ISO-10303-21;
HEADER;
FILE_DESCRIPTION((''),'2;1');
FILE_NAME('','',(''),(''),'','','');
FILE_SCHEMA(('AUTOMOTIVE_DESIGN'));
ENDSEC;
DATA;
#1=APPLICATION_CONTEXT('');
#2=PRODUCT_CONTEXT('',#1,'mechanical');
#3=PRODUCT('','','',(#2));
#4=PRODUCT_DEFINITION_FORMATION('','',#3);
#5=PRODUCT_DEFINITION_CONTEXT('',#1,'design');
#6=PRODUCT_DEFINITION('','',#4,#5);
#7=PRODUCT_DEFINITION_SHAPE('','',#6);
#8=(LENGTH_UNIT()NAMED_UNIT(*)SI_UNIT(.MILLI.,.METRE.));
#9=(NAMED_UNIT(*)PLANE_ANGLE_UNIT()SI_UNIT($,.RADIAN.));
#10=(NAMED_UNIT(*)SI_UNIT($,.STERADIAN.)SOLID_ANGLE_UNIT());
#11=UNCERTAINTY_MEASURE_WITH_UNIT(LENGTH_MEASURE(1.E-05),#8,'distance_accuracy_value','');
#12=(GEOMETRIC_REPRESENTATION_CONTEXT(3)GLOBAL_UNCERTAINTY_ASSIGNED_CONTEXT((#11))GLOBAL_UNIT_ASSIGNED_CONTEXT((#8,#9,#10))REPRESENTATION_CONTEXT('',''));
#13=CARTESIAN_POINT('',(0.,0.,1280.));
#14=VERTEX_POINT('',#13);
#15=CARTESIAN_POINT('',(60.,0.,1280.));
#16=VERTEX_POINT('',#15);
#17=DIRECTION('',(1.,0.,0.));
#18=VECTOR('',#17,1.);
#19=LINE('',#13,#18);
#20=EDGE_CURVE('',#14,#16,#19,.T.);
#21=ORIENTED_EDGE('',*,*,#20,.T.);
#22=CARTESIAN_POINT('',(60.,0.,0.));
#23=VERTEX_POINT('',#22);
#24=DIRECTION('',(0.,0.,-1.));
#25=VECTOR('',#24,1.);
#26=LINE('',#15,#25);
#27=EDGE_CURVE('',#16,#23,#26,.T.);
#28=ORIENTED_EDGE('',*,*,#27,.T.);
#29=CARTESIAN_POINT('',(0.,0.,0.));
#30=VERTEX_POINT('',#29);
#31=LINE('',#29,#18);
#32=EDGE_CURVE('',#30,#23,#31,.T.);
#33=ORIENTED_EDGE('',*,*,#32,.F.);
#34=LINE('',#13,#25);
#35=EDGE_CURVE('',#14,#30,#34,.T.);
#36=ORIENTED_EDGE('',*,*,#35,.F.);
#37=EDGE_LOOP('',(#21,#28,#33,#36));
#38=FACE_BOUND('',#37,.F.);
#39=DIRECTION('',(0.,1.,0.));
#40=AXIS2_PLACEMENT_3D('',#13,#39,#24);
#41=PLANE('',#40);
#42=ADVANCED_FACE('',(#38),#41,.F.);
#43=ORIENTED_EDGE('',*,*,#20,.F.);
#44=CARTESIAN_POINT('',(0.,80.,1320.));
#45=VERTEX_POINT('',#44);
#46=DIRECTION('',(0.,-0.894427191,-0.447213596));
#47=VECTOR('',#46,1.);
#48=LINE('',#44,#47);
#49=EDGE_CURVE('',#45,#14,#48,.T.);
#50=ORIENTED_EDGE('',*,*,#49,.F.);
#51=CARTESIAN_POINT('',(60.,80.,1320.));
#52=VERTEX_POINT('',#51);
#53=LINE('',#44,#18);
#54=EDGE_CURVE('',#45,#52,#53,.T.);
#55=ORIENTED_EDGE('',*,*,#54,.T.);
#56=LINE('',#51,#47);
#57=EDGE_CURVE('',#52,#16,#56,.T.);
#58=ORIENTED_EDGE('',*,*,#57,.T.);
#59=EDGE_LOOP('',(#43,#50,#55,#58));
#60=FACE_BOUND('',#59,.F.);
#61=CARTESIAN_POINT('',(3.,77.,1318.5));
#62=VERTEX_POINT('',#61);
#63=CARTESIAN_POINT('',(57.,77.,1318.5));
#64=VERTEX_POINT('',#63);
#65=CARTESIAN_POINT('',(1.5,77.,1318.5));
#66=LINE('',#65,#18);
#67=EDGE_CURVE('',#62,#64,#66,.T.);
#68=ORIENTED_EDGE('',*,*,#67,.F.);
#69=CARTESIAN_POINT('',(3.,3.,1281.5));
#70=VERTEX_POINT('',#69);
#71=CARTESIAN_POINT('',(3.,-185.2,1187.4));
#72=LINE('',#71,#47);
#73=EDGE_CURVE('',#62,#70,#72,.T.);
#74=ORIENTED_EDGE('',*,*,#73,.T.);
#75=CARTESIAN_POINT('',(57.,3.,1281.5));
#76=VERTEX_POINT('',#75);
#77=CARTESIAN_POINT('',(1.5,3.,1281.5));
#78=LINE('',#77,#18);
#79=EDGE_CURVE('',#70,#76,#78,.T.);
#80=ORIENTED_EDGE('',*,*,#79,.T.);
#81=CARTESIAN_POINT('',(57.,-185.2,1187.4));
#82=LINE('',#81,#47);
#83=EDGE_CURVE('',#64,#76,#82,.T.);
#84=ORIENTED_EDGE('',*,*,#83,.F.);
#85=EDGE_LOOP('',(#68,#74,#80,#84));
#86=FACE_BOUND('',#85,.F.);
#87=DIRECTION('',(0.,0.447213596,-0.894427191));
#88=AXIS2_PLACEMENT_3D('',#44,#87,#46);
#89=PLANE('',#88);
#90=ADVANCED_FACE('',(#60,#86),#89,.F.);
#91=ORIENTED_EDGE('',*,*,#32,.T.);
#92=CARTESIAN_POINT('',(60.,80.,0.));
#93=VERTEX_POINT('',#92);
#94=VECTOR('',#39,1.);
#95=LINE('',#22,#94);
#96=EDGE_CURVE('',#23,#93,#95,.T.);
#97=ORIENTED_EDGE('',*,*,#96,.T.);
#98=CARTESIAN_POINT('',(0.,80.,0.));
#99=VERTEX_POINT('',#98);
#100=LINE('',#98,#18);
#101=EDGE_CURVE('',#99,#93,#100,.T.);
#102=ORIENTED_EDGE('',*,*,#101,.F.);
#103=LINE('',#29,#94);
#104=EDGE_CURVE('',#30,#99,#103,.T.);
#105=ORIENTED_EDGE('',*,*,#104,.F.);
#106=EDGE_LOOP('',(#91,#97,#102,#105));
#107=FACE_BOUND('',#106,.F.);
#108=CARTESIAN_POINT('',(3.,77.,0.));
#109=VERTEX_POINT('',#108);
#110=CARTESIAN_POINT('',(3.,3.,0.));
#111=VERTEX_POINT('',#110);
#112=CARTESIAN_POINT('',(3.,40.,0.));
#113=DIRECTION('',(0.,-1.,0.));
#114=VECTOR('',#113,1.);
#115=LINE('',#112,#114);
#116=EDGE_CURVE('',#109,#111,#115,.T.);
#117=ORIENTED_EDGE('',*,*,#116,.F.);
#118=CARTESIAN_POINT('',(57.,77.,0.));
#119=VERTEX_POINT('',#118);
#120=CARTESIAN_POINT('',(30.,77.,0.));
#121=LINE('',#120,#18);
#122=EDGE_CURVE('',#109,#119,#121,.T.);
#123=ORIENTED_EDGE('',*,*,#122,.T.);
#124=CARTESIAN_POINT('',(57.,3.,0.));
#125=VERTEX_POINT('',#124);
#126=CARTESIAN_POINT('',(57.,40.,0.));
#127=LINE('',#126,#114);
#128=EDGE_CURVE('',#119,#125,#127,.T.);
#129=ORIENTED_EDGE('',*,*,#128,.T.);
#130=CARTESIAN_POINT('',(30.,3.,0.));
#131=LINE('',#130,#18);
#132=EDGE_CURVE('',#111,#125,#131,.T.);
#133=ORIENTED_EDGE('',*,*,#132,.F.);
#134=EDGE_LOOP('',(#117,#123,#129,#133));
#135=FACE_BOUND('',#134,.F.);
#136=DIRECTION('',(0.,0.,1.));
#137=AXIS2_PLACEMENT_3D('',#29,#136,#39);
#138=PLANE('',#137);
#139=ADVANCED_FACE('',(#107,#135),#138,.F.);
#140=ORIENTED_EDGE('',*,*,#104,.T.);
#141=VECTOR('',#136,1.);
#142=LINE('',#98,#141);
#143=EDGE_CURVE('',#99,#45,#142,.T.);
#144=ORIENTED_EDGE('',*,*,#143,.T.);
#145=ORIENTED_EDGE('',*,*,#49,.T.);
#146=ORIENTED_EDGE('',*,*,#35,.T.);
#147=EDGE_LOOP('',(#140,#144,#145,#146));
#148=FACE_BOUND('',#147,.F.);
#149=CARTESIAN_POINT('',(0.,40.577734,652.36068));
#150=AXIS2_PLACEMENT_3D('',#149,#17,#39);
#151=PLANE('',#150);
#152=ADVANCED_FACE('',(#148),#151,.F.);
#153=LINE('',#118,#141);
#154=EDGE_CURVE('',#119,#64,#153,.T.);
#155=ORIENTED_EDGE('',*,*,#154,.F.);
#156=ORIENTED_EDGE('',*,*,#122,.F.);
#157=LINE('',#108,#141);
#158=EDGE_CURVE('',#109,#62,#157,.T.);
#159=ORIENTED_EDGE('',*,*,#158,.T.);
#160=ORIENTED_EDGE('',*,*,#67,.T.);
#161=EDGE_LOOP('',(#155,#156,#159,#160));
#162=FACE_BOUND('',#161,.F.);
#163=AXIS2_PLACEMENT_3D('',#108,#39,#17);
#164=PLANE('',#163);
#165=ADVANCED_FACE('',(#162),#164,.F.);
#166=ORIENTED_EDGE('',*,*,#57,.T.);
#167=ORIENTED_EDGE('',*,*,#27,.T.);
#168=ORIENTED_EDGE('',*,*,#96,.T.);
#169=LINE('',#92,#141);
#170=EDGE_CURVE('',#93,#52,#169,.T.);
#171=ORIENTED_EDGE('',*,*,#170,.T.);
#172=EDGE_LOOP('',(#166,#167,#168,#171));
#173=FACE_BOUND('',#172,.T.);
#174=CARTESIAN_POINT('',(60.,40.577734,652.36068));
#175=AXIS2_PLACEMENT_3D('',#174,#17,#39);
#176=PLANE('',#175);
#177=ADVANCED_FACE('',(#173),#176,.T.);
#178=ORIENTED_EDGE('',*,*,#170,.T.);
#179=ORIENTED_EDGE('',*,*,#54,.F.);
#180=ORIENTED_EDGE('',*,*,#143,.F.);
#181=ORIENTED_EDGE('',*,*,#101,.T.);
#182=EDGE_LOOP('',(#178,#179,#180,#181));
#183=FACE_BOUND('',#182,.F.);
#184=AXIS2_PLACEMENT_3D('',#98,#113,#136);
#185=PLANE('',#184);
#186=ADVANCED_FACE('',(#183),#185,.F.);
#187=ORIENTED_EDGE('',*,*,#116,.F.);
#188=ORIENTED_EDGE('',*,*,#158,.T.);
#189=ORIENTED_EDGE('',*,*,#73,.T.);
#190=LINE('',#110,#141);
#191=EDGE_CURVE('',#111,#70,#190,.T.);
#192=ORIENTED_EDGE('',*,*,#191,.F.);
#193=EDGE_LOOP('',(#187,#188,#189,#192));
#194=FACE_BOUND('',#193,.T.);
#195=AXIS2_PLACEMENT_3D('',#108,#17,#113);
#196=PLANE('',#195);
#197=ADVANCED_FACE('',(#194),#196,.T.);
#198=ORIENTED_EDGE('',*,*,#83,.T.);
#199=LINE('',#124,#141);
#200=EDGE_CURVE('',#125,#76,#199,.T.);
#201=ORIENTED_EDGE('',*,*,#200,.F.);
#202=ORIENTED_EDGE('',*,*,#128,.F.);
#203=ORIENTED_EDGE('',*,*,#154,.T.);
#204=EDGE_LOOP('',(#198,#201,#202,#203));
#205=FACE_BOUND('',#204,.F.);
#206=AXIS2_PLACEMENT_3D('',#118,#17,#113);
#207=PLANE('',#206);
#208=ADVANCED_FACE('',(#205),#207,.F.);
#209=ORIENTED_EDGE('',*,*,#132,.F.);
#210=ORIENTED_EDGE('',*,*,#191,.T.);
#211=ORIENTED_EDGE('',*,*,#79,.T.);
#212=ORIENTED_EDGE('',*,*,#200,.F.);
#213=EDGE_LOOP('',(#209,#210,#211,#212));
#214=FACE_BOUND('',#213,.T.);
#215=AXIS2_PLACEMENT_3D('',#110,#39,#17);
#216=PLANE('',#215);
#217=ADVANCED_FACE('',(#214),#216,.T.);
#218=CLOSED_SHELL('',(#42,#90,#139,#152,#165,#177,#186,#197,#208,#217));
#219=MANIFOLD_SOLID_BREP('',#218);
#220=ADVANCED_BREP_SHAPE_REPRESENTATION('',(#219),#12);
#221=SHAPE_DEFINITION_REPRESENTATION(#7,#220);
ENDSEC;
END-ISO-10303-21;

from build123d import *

# Parameters (mm, degrees)
F1_DEPTH = 60
F2_W     = 54
F2_H     = 74
F3_DEPTH = 1320.001


with BuildPart() as f1:
    # F0 (on Right) → F1 (new body)
    with BuildSketch(Plane.YZ):
        Polygon((0, 1280), (0, 0), (80, 0), (80, 1320), align=None)
    extrude(amount=F1_DEPTH)

    # F2 (on face) → F3 (cut, through all)
    with BuildSketch(Plane(origin=(0, 0, 0), x_dir=(1, 0, 0), z_dir=(0, 0, -1))):
        with Locations((30, -40)):
            Rectangle(F2_W, F2_H)
    extrude(amount=-F3_DEPTH, mode=Mode.SUBTRACT)


solid = f1.part
